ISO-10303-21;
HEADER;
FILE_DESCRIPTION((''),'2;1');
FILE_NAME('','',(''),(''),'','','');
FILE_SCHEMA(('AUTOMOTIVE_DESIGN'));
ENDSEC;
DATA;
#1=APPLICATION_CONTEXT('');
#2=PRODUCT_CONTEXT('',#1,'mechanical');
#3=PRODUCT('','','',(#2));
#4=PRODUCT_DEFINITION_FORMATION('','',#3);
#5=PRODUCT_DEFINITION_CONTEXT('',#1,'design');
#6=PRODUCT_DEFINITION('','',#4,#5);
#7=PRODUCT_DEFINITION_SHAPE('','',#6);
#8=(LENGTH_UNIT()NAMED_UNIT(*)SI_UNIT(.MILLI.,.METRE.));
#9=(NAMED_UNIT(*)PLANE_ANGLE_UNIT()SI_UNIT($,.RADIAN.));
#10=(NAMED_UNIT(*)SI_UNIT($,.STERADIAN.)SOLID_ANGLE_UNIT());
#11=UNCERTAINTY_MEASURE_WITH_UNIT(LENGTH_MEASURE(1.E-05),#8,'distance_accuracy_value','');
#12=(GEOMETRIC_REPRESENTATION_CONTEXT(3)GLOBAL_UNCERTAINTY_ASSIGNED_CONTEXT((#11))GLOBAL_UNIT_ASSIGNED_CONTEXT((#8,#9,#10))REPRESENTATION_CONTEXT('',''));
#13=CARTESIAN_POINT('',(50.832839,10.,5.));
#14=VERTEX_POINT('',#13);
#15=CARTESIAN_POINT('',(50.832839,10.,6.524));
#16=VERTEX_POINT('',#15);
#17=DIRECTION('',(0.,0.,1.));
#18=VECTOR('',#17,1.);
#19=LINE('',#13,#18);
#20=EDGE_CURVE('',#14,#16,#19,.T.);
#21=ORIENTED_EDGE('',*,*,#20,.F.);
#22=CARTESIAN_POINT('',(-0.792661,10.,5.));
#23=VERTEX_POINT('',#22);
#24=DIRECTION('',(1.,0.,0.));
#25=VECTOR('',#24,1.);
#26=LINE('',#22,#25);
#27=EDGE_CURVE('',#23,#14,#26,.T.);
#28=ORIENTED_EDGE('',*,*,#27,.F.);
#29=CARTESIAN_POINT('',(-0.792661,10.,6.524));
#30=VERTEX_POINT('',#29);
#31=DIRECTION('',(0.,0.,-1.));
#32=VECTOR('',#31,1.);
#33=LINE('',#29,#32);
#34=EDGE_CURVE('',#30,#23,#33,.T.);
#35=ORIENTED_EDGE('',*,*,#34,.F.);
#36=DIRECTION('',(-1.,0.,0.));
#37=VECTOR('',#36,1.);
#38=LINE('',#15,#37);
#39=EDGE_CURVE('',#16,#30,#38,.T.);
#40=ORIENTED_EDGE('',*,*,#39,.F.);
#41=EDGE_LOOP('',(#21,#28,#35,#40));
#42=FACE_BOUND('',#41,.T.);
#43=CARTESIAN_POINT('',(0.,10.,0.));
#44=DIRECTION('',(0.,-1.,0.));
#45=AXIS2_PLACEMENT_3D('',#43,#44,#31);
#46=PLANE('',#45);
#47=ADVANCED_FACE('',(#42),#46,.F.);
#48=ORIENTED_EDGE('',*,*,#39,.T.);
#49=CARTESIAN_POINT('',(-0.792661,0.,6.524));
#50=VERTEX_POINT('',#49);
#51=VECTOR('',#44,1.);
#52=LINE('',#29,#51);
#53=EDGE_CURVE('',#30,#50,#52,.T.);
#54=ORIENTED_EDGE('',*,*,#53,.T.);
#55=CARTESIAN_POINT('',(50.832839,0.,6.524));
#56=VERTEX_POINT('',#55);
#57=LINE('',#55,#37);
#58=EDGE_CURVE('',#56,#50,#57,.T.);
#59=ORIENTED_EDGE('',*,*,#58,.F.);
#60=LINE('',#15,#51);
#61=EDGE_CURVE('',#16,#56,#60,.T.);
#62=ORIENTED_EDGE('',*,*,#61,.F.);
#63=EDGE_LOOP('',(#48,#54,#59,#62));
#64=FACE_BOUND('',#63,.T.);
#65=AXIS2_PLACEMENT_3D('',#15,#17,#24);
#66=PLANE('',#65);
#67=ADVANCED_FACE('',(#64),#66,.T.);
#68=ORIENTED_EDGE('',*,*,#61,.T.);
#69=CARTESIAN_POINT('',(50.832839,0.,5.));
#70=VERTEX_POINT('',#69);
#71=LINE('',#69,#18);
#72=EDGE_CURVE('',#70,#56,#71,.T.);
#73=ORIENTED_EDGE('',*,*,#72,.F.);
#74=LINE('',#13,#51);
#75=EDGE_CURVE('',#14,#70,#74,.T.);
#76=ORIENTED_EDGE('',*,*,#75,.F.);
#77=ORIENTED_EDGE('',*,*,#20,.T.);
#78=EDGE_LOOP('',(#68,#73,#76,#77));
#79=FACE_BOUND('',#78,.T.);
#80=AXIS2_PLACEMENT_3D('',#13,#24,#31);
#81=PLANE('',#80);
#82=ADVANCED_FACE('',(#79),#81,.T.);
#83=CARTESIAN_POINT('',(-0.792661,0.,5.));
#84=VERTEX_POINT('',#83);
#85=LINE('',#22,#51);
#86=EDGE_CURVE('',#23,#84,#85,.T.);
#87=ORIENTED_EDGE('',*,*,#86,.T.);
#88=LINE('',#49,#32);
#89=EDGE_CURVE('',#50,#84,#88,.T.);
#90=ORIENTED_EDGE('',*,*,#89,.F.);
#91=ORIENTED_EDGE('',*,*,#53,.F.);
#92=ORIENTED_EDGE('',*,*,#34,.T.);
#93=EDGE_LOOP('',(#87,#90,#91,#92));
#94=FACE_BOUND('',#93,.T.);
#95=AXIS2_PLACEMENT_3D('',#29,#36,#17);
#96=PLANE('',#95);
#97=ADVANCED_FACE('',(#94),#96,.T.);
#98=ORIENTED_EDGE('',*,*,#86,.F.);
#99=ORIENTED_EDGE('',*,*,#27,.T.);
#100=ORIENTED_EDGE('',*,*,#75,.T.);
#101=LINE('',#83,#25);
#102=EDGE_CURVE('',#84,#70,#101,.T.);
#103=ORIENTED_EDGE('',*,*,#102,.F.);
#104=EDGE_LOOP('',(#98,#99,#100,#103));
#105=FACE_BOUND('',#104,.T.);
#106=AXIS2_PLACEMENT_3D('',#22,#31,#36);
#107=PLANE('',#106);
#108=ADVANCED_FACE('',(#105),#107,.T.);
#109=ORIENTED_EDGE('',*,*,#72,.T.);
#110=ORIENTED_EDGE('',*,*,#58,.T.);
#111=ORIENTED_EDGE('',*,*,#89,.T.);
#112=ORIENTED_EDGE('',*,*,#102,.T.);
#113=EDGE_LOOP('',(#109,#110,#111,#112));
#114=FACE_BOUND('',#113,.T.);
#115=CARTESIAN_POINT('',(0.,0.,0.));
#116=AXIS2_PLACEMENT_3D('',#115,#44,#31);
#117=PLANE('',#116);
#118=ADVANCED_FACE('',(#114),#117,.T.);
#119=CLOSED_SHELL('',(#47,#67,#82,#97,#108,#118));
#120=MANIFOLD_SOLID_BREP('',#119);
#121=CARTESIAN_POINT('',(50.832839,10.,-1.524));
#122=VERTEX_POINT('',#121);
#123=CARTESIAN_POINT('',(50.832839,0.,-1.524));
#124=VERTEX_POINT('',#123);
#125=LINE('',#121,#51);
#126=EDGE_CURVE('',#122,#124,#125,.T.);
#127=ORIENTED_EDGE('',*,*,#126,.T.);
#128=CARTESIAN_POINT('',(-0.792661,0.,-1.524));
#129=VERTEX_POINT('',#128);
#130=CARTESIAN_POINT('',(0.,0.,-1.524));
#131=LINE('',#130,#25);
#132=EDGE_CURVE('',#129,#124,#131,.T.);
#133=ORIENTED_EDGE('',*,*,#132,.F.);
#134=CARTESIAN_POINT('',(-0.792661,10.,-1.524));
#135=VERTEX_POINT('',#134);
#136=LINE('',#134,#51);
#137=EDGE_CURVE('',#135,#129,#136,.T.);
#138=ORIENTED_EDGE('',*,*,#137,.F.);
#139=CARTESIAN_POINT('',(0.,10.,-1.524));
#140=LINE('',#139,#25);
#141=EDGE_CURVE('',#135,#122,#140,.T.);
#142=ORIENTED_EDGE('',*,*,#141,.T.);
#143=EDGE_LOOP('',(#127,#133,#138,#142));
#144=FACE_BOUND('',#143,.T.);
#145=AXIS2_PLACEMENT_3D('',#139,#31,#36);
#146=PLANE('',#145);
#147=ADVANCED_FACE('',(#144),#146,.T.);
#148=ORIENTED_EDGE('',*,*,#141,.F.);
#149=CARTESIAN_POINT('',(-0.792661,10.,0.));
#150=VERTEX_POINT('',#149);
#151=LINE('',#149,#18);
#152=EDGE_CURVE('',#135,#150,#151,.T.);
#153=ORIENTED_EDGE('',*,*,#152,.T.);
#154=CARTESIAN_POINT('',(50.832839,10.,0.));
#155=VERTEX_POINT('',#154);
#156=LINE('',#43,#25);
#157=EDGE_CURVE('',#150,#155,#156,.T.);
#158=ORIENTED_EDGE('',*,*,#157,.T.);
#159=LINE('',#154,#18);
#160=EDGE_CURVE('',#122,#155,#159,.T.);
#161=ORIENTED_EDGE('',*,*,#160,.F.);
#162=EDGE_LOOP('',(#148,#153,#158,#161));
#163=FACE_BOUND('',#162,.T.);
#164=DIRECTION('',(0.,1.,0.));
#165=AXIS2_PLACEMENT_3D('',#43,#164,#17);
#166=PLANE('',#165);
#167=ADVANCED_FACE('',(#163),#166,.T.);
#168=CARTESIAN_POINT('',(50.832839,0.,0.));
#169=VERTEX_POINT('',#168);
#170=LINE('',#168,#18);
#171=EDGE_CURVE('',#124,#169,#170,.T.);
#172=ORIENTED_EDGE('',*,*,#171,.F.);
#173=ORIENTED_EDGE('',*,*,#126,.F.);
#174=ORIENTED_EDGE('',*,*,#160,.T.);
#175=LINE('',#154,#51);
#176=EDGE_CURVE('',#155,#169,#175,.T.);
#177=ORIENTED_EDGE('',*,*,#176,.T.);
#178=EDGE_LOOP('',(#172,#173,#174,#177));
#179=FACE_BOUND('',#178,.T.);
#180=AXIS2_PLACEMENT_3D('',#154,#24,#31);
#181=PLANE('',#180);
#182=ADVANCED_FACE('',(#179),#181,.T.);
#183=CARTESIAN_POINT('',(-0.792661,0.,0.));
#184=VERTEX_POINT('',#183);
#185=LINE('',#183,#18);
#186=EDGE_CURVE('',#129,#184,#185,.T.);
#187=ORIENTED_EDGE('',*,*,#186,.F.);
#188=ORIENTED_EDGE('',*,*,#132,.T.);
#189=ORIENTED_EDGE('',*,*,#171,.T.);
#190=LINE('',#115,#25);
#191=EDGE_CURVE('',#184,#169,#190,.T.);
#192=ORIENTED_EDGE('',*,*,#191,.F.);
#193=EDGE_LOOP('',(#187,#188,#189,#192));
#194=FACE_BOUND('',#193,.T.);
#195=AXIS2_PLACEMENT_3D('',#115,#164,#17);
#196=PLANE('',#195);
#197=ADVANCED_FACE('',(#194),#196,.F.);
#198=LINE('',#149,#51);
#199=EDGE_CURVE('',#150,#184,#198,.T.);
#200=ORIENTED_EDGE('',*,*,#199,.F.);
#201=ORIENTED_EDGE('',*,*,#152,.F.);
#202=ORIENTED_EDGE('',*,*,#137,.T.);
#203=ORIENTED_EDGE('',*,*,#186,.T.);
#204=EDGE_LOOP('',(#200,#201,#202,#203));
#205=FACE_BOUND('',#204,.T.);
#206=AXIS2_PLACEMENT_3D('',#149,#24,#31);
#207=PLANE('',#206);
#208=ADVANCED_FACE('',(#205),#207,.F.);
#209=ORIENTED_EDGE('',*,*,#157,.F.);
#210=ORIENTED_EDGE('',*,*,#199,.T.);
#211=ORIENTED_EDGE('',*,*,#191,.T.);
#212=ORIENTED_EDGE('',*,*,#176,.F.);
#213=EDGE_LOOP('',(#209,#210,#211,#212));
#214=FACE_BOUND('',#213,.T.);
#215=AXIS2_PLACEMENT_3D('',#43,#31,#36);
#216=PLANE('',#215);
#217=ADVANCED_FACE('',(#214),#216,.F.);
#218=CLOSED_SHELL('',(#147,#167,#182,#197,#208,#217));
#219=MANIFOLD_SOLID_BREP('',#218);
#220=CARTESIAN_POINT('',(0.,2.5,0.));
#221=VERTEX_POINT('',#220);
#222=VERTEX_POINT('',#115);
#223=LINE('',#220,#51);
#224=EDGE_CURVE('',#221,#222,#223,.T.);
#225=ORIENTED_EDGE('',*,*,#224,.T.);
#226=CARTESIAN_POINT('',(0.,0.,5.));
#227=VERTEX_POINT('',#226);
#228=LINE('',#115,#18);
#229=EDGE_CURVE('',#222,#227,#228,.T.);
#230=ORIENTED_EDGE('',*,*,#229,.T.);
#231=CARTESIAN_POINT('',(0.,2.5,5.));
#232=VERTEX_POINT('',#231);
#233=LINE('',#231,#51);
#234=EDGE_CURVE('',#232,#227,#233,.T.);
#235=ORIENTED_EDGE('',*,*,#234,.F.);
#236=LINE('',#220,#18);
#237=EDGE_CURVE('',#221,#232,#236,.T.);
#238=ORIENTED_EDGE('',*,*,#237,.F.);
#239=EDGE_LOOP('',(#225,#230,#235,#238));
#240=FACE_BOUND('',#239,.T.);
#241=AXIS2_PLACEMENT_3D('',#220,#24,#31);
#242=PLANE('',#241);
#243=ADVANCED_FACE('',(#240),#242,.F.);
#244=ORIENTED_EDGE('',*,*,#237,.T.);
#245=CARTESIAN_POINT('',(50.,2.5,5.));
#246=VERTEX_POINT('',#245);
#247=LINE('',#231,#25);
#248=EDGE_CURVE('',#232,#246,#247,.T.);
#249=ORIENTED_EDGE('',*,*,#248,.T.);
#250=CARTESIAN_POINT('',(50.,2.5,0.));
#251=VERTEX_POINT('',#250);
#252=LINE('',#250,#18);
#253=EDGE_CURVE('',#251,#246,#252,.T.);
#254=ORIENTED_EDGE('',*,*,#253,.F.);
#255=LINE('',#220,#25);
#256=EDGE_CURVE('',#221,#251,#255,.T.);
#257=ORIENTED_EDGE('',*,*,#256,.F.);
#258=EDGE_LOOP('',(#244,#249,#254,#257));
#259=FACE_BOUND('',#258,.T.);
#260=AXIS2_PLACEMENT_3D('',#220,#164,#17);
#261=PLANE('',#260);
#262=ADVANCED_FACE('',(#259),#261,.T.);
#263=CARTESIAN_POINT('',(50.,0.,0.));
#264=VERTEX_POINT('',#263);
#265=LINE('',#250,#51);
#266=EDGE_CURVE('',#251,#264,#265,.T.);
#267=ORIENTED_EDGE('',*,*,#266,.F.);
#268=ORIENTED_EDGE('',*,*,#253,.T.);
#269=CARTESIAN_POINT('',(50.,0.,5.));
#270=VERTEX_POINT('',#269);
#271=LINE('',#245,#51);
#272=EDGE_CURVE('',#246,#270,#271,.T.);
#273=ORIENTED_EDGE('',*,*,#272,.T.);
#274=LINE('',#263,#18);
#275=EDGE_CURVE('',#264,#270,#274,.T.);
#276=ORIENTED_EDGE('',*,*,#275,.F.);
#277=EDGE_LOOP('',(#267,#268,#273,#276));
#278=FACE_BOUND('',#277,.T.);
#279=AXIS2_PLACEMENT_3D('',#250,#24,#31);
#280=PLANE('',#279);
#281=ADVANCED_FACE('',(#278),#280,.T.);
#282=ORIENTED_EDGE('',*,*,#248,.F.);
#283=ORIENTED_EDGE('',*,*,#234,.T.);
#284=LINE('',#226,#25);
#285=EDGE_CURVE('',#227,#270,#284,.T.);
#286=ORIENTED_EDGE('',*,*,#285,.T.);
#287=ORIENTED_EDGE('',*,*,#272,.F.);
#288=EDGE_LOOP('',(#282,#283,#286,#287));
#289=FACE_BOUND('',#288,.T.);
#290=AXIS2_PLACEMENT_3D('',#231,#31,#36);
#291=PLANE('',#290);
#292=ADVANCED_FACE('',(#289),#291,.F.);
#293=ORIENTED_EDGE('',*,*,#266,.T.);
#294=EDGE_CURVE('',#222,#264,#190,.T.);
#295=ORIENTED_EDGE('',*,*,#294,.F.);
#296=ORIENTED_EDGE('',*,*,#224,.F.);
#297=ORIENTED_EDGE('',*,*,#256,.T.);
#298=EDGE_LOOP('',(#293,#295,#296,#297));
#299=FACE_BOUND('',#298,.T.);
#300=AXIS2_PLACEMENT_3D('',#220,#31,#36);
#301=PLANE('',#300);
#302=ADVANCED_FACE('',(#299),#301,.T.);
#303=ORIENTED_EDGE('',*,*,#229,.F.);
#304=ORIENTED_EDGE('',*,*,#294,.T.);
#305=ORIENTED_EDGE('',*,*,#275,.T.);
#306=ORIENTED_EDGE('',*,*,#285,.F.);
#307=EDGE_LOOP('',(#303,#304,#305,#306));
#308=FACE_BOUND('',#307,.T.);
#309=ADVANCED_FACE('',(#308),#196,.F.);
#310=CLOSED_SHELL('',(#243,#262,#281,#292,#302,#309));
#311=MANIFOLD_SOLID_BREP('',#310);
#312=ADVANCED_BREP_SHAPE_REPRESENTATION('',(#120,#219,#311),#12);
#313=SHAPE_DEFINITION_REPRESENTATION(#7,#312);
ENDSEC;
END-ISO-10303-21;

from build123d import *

# Parameters (mm, degrees)
SKETCH1_W             = 50
SKETCH1_H             = 4.999999906
BOSS_EXTRUDE1_DEPTH   = 2.5
SKETCH1_3_W           = 51.6255
SKETCH1_3_H           = 1.524
BOSS_EXTRUDE2_DEPTH   = 10
BOSS_EXTRUDE2_2_DEPTH = 10


with BuildPart() as part:
    # Sketch1 → Boss-Extrude1 (new body)
    with BuildSketch(Plane(origin=(0, 0, 0), x_dir=(1, 0, 0), z_dir=(0, 1, 0))):
        with Locations((25, -2.499999953)):
            Rectangle(SKETCH1_W, SKETCH1_H)
    extrude(amount=BOSS_EXTRUDE1_DEPTH)


with BuildPart() as body_2:
    # Sketch1<3> → Boss-Extrude2 (new body)
    with BuildSketch(Plane(origin=(0, 0, 0), x_dir=(1, 0, 0), z_dir=(0, 1, 0))):
        with Locations((25.020089004, -5.761999906)):
            Rectangle(SKETCH1_3_W, SKETCH1_3_H)
    extrude(amount=BOSS_EXTRUDE2_DEPTH)


with BuildPart() as body_3:
    # Sketch1<3> → Boss-Extrude2 2 (new body)
    with BuildSketch(Plane(origin=(0, 0, 0), x_dir=(1, 0, 0), z_dir=(0, 1, 0))):
        with Locations((25.020089004, 0.762)):
            Rectangle(SKETCH1_3_W, SKETCH1_3_H)
    extrude(amount=BOSS_EXTRUDE2_2_DEPTH)


solid = Compound([part.part, body_2.part, body_3.part])
